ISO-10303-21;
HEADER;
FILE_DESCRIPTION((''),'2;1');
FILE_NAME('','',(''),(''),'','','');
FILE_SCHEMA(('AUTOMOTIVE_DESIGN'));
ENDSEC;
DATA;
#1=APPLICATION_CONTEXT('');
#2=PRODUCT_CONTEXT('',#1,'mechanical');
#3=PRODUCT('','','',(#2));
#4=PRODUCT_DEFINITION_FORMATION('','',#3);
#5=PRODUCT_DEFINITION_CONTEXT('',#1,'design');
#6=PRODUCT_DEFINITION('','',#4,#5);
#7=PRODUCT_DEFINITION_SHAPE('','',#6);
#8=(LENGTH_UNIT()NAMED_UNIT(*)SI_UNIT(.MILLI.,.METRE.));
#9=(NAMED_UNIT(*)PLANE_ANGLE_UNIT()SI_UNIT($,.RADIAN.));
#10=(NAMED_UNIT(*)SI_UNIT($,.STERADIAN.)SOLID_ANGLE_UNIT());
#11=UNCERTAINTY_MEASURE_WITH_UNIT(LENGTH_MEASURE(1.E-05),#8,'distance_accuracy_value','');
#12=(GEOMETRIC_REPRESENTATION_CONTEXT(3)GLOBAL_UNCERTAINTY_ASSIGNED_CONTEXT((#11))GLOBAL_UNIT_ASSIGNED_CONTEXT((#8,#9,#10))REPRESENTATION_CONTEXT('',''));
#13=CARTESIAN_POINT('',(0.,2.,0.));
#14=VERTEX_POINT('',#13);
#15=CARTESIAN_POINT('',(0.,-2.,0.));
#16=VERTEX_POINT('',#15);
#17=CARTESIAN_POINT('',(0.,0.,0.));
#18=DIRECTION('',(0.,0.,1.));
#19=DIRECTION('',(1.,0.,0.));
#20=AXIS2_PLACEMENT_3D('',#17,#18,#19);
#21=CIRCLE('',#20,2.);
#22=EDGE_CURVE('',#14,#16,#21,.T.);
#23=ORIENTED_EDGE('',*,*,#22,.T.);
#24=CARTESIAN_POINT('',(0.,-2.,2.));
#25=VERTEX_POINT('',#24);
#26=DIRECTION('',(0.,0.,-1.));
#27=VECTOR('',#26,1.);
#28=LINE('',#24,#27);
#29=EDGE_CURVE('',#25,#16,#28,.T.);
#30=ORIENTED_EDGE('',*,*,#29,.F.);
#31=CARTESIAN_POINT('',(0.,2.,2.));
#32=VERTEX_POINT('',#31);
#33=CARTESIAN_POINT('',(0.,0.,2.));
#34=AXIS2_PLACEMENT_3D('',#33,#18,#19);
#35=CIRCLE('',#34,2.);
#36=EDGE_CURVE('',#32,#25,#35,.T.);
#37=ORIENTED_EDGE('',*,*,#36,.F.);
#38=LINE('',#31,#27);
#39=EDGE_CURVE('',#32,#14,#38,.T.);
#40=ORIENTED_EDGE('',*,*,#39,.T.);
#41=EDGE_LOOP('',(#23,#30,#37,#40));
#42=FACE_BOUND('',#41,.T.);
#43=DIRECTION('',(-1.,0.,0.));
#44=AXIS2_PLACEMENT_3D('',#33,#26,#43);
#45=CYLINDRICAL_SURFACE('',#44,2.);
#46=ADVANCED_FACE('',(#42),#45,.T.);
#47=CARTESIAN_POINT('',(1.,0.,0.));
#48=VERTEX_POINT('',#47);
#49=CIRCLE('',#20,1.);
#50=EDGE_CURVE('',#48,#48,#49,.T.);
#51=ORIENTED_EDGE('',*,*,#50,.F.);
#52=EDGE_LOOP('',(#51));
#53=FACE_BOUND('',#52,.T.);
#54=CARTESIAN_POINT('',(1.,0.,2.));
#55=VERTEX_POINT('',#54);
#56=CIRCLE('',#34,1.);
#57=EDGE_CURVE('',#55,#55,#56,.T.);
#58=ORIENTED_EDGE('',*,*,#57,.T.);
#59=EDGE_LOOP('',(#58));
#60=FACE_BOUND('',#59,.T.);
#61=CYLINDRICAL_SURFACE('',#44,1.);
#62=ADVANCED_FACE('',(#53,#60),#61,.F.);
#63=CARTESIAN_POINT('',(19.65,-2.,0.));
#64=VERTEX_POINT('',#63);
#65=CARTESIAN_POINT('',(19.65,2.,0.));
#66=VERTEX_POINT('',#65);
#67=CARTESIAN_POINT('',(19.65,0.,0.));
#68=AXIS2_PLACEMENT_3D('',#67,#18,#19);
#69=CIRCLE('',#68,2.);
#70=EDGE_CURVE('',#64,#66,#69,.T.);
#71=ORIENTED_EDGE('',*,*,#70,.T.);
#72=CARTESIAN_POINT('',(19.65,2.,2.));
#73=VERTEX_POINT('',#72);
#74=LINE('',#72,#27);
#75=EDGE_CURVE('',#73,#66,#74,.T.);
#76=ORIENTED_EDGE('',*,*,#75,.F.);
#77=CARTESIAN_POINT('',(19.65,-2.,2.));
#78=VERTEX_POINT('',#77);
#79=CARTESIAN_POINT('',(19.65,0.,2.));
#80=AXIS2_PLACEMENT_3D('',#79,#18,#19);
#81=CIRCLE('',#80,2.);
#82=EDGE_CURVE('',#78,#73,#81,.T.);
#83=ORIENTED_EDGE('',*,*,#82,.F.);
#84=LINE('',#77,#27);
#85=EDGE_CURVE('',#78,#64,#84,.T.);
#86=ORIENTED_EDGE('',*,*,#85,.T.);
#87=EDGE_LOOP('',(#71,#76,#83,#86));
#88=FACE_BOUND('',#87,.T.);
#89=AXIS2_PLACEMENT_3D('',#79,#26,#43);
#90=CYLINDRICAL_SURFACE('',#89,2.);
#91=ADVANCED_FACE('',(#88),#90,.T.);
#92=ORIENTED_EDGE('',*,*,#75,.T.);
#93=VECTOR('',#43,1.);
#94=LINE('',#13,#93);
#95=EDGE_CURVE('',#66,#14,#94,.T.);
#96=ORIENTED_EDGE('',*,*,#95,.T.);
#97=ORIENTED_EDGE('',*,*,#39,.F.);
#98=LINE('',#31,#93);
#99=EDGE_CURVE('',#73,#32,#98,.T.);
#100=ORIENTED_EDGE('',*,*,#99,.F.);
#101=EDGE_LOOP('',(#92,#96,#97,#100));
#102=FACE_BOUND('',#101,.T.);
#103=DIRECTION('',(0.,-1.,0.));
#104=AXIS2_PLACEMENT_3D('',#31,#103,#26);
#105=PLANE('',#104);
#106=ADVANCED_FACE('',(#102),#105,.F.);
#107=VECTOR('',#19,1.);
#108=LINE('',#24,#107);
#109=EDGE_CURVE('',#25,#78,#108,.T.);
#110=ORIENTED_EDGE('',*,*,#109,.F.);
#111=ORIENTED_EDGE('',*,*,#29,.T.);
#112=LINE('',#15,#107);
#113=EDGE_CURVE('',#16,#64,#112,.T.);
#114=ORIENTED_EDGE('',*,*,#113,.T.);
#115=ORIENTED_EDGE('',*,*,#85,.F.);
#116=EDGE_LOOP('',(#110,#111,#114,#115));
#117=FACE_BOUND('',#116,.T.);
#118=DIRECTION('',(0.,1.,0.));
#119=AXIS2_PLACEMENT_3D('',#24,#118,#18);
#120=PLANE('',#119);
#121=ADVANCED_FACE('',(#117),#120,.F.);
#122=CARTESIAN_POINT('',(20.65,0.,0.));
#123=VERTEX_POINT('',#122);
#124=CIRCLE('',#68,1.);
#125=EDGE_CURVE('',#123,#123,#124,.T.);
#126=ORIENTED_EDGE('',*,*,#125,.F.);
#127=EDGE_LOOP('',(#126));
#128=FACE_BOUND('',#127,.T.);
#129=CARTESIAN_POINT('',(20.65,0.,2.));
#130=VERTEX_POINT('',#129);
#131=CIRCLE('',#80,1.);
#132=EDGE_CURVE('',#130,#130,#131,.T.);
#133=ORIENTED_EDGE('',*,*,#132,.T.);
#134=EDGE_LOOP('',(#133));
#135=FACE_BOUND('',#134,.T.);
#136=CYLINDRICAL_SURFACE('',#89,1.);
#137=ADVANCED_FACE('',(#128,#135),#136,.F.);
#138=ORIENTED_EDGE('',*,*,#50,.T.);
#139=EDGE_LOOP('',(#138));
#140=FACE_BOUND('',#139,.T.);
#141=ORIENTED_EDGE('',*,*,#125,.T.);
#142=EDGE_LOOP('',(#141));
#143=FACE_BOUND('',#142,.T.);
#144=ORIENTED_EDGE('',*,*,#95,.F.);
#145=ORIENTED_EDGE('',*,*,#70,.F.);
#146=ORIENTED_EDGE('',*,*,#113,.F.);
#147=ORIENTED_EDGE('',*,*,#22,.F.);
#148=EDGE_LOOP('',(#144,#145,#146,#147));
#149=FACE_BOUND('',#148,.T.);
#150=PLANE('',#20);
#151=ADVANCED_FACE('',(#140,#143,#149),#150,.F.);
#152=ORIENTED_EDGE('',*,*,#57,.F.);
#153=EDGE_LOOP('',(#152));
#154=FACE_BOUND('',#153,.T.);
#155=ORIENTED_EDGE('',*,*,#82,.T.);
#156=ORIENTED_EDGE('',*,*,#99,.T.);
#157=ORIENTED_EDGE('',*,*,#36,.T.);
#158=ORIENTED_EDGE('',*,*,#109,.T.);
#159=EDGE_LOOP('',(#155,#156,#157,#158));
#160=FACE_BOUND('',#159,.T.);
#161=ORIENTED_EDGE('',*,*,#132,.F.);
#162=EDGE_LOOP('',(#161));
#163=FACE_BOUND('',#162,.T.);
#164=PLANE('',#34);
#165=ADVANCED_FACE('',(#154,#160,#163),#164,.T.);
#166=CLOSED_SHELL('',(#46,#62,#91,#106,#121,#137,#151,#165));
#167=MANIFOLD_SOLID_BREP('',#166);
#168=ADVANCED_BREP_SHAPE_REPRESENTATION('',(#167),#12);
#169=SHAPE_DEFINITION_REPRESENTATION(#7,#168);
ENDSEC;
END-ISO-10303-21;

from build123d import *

# Parameters (mm, degrees)
SKETCH1_R           = 1
BOSS_EXTRUDE1_DEPTH = 2


with BuildPart() as part:
    # Sketch1 → Boss-Extrude1 (new body)
    with BuildSketch(Plane.XY):
        with BuildLine():
            Line((0, 2), (19.65, 2))
            ThreePointArc((19.65, 2), (21.65, 0), (19.65, -2))
            Line((19.65, -2), (0, -2))
            ThreePointArc((0, -2), (-2, 0), (0, 2))
        make_face()
        Circle(SKETCH1_R, mode=Mode.SUBTRACT)
        with Locations((19.65, 0)):
            Circle(SKETCH1_R, mode=Mode.SUBTRACT)
    extrude(amount=BOSS_EXTRUDE1_DEPTH)


solid = part.part
